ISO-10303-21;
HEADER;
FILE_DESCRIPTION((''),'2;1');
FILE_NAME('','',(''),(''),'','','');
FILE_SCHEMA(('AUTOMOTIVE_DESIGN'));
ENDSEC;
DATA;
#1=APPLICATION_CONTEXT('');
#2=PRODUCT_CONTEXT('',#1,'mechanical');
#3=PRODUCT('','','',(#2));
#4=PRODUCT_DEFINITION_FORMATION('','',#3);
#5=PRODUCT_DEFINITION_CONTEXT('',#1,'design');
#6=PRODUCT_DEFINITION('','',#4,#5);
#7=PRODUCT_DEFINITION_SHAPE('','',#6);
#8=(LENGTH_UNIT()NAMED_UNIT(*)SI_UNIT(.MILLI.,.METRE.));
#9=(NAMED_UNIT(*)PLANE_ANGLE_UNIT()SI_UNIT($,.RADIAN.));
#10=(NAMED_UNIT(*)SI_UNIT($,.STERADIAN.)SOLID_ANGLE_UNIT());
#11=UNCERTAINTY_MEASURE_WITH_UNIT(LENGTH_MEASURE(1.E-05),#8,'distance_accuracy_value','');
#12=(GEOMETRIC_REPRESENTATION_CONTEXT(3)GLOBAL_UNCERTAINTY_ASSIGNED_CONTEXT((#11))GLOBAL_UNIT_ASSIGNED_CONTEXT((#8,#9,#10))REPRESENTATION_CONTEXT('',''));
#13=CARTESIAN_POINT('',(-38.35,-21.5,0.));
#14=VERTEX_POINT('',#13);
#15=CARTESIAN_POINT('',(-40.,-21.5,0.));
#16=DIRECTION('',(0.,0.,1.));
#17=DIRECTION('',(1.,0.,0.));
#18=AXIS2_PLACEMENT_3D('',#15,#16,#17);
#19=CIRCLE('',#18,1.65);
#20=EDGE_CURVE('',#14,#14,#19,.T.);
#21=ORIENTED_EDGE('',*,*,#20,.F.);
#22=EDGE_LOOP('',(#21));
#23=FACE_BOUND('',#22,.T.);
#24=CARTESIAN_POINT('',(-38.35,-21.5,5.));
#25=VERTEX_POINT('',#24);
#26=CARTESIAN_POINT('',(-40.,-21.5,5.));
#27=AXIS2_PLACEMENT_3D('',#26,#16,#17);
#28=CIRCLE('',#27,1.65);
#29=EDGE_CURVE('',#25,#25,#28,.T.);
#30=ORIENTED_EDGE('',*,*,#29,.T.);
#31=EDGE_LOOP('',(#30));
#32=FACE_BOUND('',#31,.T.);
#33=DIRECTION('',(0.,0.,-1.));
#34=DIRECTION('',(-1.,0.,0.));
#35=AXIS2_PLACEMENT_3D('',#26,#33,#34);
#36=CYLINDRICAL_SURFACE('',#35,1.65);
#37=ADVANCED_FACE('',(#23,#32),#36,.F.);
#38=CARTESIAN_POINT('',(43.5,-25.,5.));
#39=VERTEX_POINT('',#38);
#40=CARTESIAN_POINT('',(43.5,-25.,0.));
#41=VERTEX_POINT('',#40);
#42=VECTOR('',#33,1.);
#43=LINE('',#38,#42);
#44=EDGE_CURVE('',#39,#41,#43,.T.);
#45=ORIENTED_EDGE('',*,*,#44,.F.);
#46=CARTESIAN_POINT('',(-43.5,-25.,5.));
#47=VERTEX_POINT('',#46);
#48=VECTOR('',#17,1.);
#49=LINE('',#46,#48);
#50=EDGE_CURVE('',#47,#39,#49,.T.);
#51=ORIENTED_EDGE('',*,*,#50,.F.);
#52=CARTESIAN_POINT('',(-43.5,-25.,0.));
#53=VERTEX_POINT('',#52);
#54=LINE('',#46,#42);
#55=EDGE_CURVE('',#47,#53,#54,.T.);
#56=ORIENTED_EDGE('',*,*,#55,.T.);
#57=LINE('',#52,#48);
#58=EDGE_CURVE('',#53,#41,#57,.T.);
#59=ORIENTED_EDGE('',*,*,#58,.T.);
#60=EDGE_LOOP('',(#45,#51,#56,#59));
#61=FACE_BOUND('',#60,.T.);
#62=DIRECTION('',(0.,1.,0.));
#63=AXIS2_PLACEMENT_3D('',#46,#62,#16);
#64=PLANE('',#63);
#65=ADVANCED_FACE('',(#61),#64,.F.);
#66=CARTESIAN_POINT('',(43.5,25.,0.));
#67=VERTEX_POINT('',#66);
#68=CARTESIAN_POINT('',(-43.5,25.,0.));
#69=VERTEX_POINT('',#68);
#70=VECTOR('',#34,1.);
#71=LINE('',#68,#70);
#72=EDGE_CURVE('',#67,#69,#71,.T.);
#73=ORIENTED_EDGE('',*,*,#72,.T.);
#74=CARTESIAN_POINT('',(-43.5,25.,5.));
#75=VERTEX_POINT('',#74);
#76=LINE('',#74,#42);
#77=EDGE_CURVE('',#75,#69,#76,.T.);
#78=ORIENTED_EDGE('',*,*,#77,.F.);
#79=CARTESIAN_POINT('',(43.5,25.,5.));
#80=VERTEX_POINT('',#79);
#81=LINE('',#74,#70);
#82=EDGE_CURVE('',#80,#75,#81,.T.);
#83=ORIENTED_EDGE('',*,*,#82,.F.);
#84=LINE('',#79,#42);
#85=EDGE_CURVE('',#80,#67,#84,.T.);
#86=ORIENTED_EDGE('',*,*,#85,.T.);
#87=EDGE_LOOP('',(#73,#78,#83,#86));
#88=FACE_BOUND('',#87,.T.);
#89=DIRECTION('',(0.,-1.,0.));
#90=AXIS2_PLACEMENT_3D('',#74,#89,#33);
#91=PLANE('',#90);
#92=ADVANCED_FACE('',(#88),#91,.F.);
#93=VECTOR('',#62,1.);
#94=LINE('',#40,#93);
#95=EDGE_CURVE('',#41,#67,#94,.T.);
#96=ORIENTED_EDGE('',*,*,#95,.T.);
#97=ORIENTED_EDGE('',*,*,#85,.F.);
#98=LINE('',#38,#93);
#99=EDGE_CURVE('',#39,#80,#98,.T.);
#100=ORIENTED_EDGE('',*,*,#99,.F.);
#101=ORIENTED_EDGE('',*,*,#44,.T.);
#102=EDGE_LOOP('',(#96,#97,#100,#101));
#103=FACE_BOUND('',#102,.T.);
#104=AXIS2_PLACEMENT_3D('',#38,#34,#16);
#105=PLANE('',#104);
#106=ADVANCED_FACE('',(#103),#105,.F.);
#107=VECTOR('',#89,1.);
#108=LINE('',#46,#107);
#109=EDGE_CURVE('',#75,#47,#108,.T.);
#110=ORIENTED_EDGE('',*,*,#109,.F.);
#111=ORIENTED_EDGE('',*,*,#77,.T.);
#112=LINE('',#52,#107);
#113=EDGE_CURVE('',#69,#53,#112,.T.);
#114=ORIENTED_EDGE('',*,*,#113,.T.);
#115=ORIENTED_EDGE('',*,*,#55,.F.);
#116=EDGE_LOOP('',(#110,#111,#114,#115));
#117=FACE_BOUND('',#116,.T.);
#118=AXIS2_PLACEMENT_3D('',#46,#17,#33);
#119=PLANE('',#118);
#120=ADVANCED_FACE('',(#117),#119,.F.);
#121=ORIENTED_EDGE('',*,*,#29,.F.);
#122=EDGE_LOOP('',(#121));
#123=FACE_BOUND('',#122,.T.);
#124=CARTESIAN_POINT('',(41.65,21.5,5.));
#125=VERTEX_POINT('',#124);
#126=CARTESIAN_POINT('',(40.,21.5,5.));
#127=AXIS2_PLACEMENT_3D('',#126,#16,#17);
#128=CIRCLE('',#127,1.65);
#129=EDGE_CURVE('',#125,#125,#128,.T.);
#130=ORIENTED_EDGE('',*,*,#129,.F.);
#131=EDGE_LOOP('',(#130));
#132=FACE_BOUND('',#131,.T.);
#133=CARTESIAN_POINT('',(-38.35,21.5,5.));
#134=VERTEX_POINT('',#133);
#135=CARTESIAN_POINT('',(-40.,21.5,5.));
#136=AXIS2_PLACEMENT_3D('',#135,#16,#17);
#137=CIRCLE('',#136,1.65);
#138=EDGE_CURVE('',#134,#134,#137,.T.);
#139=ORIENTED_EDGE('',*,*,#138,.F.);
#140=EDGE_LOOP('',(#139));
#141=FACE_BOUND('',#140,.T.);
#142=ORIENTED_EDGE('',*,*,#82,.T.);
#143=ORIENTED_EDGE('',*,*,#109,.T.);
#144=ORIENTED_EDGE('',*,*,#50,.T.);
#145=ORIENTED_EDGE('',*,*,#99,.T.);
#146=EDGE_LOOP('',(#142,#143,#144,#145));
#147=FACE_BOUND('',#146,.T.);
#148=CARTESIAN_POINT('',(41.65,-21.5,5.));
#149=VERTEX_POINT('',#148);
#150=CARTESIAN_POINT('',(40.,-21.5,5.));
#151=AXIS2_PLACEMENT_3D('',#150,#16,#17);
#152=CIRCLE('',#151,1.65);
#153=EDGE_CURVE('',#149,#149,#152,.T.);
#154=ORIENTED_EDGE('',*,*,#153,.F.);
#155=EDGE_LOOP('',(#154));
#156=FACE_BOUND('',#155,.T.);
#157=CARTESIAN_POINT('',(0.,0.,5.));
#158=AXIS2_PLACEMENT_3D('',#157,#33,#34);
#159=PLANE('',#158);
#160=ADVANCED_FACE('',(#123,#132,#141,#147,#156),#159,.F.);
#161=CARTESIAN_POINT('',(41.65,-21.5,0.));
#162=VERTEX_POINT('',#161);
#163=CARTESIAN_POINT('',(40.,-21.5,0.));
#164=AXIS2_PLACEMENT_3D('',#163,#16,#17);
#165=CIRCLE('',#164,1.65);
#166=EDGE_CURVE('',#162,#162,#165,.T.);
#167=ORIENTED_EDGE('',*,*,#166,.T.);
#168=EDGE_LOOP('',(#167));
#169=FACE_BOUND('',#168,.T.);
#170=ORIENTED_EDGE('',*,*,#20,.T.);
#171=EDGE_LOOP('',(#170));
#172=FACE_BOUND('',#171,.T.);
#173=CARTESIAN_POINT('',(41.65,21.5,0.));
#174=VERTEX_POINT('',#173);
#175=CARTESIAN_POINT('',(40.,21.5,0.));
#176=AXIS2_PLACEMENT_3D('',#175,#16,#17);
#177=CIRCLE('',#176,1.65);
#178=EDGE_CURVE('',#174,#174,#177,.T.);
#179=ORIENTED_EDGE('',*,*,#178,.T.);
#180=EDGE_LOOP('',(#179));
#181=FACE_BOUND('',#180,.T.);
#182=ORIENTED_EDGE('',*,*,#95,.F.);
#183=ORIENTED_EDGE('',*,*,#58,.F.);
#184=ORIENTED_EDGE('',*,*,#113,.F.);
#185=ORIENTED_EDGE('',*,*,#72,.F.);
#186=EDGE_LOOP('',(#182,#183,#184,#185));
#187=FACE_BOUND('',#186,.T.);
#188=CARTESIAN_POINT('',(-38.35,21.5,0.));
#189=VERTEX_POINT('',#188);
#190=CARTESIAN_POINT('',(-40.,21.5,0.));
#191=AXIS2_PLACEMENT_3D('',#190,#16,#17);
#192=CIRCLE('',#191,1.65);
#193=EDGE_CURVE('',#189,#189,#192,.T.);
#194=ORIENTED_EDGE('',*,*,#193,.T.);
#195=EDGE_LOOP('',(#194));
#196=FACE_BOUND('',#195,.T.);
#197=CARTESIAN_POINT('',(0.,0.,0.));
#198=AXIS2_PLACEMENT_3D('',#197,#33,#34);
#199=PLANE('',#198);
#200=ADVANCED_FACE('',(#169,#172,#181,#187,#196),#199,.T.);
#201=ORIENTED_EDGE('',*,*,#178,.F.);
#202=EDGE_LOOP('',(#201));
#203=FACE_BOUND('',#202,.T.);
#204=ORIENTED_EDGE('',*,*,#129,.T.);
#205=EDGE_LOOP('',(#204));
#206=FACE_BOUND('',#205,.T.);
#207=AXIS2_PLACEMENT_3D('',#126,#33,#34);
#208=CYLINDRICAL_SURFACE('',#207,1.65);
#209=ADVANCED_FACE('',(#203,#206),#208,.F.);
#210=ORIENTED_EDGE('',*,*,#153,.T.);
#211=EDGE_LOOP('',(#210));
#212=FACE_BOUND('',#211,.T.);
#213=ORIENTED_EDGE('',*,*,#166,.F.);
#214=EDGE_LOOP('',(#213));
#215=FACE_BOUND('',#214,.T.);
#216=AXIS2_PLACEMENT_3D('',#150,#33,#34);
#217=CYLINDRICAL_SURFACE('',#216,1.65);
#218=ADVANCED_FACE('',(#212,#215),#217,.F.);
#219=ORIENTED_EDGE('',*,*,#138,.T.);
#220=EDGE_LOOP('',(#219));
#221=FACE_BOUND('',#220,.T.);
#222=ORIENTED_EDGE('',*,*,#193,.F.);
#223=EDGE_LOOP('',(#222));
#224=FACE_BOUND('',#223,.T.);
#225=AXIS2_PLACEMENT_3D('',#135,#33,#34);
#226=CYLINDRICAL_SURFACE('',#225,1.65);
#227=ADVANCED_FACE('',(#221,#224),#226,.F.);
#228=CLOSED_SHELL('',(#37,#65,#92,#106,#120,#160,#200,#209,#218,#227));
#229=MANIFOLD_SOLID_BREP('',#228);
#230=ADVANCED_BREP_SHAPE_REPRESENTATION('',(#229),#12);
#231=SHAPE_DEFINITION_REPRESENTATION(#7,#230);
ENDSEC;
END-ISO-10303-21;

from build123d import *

# Parameters (mm, degrees)
SKETCH_1_W      = 87
SKETCH_1_H      = 50
SKETCH_1_R      = 1.65
EXTRUDE_1_DEPTH = 5


with BuildPart() as part:
    # 草图1 → 凸台-拉伸1 (new body)
    with BuildSketch(Plane.XY):
        Rectangle(SKETCH_1_W, SKETCH_1_H)
        with Locations((40, 21.5)):
            Circle(SKETCH_1_R, mode=Mode.SUBTRACT)
        with Locations((40, -21.5)):
            Circle(SKETCH_1_R, mode=Mode.SUBTRACT)
        with Locations((-40, 21.5)):
            Circle(SKETCH_1_R, mode=Mode.SUBTRACT)
        with Locations((-40, -21.5)):
            Circle(SKETCH_1_R, mode=Mode.SUBTRACT)
    extrude(amount=EXTRUDE_1_DEPTH)


solid = part.part
